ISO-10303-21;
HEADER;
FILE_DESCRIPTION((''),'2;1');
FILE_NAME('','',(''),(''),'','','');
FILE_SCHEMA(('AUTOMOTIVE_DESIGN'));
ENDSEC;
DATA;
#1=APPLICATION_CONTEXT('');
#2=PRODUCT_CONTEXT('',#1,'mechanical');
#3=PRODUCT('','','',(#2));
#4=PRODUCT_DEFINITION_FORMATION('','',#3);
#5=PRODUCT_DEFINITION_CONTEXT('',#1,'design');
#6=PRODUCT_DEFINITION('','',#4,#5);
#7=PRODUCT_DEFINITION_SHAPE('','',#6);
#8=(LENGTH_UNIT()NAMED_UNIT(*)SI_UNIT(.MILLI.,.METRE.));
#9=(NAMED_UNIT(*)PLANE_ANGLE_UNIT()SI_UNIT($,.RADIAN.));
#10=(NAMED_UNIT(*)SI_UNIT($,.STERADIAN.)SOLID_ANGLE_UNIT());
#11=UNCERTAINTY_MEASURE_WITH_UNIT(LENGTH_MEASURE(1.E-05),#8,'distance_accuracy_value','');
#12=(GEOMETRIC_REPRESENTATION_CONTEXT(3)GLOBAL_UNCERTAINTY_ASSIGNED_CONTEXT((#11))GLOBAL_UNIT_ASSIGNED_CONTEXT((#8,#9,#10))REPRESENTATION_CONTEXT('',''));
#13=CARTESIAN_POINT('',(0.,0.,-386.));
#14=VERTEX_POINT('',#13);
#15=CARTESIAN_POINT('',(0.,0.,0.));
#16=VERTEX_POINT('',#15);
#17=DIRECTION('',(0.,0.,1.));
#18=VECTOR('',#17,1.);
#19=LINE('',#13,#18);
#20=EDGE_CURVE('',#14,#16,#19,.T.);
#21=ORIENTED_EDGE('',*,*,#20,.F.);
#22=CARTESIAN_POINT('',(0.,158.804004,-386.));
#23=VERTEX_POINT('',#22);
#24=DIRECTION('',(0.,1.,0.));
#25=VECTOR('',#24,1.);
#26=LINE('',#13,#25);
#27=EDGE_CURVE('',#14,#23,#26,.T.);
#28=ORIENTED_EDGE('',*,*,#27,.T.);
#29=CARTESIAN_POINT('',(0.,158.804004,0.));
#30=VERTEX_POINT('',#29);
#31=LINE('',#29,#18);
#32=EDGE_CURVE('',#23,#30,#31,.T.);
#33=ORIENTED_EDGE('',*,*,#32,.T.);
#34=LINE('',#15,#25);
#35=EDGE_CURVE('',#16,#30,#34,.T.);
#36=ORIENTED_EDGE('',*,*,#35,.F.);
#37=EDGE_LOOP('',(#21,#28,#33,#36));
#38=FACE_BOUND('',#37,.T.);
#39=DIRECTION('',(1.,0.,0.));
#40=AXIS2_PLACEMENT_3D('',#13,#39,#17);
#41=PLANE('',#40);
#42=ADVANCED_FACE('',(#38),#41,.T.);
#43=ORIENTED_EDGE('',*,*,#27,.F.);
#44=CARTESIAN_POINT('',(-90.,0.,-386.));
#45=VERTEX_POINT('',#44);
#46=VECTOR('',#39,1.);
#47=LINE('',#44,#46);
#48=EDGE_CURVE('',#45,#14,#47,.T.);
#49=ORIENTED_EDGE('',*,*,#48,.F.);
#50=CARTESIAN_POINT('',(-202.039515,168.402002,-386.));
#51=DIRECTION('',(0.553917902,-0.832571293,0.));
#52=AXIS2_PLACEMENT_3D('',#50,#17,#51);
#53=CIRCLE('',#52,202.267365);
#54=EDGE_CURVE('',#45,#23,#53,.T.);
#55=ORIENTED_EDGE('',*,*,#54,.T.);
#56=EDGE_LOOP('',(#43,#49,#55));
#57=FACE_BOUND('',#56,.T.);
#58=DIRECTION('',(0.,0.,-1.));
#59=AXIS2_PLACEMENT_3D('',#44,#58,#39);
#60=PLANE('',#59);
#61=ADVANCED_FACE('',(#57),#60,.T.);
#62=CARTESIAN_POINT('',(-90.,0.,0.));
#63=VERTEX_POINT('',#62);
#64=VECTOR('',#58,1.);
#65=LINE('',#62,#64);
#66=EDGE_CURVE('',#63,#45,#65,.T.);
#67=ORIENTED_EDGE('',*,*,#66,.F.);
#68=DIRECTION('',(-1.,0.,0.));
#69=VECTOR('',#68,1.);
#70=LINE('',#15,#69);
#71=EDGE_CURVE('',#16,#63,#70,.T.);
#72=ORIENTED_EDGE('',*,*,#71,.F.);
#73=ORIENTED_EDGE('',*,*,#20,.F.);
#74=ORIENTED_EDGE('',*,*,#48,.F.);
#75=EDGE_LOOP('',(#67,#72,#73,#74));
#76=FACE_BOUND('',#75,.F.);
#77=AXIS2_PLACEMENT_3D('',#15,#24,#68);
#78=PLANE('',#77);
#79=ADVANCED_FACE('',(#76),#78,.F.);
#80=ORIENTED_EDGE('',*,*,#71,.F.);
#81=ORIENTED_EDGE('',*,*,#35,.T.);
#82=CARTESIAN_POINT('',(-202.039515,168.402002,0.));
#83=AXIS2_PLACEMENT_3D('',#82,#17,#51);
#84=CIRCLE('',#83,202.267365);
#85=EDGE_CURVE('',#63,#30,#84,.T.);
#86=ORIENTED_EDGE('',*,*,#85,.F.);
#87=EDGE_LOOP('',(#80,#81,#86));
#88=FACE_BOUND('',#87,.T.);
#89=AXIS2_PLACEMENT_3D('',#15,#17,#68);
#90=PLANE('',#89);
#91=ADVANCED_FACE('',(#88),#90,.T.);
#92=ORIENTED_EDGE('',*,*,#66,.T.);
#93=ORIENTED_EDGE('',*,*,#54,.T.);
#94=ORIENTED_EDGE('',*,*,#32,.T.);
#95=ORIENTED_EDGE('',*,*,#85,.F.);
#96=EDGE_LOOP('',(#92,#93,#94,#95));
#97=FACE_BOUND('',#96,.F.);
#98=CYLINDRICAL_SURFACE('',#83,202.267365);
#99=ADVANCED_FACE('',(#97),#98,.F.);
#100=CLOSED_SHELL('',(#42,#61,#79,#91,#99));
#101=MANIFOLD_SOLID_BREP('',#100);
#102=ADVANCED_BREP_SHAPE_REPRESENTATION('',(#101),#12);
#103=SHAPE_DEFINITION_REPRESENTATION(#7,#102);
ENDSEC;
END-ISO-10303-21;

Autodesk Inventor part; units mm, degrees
ref_plane "YZ Plane" through (0, 0, 0) normal (1, 0, 0) x (0, 1, 0)
ref_plane "XZ Plane" through (0, 0, 0) normal (0, 1, 0) x (-1, 0, 0)
ref_plane "XY Plane" through (0, 0, 0) normal (0, 0, 1) x (1, 0, 0)
sketch "草图8" plane through (0, 0, 0) normal (0, 1, 0) x (-1, 0, 0)
  line L0 (0, 0) -> (90, 0)
  line L1 (90, 0) -> (90, -386)
  line L2 (90, -386) -> (0, -386)
  line L3 (0, -386) -> (0, 0)
  dimension "d22" = 386
  dimension "d23" = 90
extrude "拉伸8" add sketch "草图8" along normal blind 178
sketch "草图9" plane through (-90, 0, 0) normal (0, 0, 1) x (1, 0, 0)
  line L0 (0, 0) -> (90, 0) projected
  line L1 (0, 178) -> (90, 178) projected
  arc A0 (0, 0) -> (90, 178) centre (-112.0394, 168.4019) ccw
  line L2 (0, 0) -> (0, 178)
  line L3 (90, 178) -> (0, 178)
extrude "拉伸9" cut sketch "草图9" against normal through all
equation "\"折弯半径\" = 厚度"
equation "\"折弯释压宽度\" = 厚度"
equation "\"折弯释压深度\" = 0.5 * 厚度"
equation "\"拐角释压尺寸\" = 4 * 厚度"
equation "\"最小余量\" = 2 * 厚度"
equation "\"过渡半径\" = 折弯半径"
equation "\"Jacobi半径尺寸\" = 折弯半径"
equation "\"间隙大小\" = 厚度"
equation "\"厚度\" = 0.5"
